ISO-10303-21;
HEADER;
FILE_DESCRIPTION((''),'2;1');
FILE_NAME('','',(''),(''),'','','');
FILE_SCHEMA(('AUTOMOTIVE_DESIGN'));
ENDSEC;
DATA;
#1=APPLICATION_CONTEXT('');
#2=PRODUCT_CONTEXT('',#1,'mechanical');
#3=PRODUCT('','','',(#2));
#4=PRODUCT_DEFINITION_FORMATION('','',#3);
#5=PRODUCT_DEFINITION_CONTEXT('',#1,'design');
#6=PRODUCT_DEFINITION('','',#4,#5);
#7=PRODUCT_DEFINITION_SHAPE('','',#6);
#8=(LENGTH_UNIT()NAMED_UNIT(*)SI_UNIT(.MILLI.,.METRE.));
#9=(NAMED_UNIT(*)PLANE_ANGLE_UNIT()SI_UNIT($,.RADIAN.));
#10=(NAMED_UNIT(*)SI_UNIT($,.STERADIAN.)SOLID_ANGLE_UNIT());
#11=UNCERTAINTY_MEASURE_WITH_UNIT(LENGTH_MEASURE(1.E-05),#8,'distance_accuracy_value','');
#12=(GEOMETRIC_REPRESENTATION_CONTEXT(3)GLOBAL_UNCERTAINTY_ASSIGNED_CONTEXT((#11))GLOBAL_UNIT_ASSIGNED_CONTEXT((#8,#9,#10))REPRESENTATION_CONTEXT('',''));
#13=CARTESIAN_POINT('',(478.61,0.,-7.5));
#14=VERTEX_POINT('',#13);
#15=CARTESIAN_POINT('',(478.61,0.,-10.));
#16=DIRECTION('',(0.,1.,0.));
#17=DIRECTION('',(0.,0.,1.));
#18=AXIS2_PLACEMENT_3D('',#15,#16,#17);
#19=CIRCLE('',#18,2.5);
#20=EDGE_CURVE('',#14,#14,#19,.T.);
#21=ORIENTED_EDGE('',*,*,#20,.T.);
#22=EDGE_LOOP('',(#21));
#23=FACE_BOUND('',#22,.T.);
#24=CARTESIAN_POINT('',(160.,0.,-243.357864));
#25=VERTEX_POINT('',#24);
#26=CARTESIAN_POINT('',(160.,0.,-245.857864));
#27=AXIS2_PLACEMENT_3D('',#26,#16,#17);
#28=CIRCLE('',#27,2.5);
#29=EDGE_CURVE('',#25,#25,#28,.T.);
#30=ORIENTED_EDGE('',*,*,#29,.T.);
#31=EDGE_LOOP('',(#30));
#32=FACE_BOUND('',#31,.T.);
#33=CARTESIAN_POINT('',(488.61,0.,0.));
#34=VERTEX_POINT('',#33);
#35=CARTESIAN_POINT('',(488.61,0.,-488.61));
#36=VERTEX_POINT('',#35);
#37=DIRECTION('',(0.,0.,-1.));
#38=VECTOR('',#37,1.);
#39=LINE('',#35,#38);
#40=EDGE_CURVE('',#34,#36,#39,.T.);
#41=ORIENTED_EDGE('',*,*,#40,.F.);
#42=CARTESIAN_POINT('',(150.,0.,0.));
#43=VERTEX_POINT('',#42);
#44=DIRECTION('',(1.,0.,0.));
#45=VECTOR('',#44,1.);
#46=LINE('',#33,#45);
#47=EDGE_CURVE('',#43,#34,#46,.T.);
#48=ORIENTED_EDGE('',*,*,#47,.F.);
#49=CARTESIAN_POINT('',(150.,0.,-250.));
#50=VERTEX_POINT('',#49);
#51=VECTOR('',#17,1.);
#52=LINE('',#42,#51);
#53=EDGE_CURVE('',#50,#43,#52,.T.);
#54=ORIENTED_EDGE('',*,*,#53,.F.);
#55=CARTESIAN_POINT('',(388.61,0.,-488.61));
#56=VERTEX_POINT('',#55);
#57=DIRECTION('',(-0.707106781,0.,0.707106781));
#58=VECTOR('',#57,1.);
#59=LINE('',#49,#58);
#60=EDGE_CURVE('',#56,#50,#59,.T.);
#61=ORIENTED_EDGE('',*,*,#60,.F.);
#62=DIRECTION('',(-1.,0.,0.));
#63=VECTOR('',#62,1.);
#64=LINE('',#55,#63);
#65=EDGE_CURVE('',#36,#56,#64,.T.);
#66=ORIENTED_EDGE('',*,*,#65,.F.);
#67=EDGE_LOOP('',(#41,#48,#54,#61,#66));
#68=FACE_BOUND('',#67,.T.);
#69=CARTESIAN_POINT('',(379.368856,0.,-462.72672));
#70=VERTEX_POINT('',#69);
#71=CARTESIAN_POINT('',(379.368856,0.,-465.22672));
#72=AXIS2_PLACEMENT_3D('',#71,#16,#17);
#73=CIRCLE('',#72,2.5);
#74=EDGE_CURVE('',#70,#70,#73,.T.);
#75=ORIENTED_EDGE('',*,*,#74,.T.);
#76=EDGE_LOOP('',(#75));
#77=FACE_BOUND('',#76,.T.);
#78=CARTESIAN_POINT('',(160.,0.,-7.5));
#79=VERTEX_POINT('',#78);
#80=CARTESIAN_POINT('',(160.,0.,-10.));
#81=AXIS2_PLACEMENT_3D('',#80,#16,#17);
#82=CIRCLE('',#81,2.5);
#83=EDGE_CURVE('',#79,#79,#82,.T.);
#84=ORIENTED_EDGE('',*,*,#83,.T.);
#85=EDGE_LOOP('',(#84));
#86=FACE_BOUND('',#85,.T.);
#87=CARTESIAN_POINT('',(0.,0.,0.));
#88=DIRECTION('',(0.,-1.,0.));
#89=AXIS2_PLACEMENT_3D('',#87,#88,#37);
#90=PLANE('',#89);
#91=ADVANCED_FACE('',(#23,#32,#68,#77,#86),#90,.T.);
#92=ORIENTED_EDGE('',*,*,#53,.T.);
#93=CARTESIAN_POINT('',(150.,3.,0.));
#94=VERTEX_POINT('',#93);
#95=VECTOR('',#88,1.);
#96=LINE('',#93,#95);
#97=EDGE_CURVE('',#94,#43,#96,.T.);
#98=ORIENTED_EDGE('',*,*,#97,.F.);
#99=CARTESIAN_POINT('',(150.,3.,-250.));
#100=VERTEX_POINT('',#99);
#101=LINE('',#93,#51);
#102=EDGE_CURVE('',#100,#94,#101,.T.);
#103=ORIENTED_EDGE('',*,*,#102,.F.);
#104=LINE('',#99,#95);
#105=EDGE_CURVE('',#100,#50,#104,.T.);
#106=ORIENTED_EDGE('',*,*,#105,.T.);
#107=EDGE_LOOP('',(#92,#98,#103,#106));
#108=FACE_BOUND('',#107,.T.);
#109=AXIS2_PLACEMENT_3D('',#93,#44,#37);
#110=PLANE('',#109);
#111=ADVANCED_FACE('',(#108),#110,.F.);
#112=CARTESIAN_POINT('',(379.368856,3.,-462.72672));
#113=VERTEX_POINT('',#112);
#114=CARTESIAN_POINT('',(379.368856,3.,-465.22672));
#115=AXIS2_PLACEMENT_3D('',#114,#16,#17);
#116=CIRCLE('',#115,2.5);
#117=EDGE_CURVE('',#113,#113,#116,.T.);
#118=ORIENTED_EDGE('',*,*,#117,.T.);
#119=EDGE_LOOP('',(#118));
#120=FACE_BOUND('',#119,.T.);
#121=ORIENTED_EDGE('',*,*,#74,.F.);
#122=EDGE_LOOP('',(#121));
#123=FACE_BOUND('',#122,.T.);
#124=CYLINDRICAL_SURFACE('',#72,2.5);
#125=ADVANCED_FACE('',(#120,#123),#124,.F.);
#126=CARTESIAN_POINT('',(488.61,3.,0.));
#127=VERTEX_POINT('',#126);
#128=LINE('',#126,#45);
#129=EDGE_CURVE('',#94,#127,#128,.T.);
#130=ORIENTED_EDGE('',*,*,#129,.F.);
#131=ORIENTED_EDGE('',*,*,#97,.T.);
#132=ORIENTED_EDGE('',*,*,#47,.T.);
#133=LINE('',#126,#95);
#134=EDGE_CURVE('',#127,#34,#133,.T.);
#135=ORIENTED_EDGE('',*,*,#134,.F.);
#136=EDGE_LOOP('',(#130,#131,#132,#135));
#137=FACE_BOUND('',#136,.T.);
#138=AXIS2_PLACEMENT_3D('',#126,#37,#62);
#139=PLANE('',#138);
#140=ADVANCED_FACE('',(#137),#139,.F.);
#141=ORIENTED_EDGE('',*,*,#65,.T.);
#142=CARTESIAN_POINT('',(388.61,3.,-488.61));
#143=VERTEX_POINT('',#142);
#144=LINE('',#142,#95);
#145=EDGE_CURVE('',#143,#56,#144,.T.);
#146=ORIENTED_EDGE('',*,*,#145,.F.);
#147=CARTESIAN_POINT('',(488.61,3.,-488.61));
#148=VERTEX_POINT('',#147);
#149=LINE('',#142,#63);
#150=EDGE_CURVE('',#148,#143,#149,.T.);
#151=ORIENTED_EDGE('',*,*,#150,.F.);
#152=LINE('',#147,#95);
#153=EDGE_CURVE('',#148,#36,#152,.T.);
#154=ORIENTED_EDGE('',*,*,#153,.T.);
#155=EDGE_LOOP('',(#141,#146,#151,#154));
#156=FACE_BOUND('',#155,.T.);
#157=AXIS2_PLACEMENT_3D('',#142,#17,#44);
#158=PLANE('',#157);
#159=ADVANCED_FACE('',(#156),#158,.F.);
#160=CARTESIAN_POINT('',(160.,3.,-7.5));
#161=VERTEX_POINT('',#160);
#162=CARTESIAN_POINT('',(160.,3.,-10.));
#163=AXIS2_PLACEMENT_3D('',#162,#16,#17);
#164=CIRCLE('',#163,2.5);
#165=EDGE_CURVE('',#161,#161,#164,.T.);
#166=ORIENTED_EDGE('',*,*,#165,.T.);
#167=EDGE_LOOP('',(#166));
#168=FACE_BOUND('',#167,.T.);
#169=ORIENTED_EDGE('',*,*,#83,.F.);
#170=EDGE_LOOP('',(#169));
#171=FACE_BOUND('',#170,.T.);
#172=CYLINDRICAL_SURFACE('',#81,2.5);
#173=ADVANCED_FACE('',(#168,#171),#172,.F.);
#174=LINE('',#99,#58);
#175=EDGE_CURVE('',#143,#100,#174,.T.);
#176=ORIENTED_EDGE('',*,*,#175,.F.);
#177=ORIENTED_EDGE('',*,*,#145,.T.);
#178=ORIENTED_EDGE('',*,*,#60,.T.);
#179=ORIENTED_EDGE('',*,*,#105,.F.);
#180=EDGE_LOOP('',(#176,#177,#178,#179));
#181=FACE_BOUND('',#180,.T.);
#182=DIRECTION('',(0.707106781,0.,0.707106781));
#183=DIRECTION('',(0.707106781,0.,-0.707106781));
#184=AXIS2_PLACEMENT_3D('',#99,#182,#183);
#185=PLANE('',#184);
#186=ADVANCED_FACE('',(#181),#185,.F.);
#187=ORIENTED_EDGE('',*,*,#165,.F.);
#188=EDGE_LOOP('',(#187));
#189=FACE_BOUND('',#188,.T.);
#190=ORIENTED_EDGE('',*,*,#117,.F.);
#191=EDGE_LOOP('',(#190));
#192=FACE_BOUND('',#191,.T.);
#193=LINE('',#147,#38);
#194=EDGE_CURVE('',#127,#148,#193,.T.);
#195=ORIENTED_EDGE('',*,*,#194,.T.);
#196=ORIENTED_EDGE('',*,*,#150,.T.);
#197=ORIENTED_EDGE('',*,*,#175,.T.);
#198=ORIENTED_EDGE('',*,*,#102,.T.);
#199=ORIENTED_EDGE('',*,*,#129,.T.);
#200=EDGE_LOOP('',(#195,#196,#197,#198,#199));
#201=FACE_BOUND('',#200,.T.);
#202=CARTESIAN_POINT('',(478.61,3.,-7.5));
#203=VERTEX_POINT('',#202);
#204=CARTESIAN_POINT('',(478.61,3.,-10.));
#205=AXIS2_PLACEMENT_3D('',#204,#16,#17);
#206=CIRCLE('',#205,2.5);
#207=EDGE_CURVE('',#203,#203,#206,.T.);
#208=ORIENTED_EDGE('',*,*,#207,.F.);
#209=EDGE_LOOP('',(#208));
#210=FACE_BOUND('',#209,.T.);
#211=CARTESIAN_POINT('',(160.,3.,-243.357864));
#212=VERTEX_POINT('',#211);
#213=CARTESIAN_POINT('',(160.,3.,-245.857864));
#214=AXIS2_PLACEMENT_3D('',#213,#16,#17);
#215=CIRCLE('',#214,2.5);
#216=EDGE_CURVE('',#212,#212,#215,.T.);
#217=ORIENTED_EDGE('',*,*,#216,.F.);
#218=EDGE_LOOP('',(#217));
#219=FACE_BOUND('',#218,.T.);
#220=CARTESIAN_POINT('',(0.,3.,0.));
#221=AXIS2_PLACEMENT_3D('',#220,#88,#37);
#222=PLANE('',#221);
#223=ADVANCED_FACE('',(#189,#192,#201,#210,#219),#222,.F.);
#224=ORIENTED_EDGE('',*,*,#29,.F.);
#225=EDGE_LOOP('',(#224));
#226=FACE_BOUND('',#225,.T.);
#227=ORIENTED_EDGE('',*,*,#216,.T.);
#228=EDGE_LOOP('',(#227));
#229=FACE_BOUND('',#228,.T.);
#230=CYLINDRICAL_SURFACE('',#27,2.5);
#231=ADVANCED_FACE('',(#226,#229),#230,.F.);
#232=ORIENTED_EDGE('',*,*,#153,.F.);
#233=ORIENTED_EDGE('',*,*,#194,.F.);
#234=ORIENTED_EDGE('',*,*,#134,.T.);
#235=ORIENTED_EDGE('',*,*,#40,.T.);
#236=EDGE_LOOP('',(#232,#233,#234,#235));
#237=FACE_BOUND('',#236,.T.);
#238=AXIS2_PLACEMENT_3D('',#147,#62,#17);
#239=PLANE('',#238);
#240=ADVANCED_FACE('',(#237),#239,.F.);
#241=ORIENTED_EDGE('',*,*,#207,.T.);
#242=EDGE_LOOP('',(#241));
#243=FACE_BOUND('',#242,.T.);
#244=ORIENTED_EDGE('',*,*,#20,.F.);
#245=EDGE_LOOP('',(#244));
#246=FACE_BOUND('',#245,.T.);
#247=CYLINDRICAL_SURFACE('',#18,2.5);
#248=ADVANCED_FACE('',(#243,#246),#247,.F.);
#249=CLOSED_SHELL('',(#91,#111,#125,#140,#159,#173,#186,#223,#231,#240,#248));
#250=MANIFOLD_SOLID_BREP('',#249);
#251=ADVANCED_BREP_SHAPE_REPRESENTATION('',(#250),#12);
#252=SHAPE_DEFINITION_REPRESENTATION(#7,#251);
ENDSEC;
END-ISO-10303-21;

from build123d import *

# Parameters (mm, degrees)
BOSS_EXTRUDE1_DEPTH  = 3
SKETCH3_R            = 2.5
MOUNTING_HOLES_DEPTH = 4


with BuildPart() as part:
    # Sketch2 → Boss-Extrude1 (new body)
    with BuildSketch(Plane(origin=(0, 0, 0), x_dir=(1, 0, 0), z_dir=(0, 1, 0))):
        Polygon((150, 250), (388.61, 488.61), (488.61, 488.61), (488.61, 0), (150, 0), align=None)
    extrude(amount=BOSS_EXTRUDE1_DEPTH)

    # Sketch3 → mounting-holes (cut, through all)
    with BuildSketch(Plane(origin=(0, 3, 0), x_dir=(1, 0, 0), z_dir=(0, 1, 0))):
        with Locations((160, 245.857864376)):
            Circle(SKETCH3_R)
        with Locations((160, 10)):
            Circle(SKETCH3_R)
        with Locations((478.61, 10)):
            Circle(SKETCH3_R)
        with Locations((379.368855681, 465.226720057)):
            Circle(SKETCH3_R)
    extrude(amount=-MOUNTING_HOLES_DEPTH, mode=Mode.SUBTRACT)


solid = part.part
